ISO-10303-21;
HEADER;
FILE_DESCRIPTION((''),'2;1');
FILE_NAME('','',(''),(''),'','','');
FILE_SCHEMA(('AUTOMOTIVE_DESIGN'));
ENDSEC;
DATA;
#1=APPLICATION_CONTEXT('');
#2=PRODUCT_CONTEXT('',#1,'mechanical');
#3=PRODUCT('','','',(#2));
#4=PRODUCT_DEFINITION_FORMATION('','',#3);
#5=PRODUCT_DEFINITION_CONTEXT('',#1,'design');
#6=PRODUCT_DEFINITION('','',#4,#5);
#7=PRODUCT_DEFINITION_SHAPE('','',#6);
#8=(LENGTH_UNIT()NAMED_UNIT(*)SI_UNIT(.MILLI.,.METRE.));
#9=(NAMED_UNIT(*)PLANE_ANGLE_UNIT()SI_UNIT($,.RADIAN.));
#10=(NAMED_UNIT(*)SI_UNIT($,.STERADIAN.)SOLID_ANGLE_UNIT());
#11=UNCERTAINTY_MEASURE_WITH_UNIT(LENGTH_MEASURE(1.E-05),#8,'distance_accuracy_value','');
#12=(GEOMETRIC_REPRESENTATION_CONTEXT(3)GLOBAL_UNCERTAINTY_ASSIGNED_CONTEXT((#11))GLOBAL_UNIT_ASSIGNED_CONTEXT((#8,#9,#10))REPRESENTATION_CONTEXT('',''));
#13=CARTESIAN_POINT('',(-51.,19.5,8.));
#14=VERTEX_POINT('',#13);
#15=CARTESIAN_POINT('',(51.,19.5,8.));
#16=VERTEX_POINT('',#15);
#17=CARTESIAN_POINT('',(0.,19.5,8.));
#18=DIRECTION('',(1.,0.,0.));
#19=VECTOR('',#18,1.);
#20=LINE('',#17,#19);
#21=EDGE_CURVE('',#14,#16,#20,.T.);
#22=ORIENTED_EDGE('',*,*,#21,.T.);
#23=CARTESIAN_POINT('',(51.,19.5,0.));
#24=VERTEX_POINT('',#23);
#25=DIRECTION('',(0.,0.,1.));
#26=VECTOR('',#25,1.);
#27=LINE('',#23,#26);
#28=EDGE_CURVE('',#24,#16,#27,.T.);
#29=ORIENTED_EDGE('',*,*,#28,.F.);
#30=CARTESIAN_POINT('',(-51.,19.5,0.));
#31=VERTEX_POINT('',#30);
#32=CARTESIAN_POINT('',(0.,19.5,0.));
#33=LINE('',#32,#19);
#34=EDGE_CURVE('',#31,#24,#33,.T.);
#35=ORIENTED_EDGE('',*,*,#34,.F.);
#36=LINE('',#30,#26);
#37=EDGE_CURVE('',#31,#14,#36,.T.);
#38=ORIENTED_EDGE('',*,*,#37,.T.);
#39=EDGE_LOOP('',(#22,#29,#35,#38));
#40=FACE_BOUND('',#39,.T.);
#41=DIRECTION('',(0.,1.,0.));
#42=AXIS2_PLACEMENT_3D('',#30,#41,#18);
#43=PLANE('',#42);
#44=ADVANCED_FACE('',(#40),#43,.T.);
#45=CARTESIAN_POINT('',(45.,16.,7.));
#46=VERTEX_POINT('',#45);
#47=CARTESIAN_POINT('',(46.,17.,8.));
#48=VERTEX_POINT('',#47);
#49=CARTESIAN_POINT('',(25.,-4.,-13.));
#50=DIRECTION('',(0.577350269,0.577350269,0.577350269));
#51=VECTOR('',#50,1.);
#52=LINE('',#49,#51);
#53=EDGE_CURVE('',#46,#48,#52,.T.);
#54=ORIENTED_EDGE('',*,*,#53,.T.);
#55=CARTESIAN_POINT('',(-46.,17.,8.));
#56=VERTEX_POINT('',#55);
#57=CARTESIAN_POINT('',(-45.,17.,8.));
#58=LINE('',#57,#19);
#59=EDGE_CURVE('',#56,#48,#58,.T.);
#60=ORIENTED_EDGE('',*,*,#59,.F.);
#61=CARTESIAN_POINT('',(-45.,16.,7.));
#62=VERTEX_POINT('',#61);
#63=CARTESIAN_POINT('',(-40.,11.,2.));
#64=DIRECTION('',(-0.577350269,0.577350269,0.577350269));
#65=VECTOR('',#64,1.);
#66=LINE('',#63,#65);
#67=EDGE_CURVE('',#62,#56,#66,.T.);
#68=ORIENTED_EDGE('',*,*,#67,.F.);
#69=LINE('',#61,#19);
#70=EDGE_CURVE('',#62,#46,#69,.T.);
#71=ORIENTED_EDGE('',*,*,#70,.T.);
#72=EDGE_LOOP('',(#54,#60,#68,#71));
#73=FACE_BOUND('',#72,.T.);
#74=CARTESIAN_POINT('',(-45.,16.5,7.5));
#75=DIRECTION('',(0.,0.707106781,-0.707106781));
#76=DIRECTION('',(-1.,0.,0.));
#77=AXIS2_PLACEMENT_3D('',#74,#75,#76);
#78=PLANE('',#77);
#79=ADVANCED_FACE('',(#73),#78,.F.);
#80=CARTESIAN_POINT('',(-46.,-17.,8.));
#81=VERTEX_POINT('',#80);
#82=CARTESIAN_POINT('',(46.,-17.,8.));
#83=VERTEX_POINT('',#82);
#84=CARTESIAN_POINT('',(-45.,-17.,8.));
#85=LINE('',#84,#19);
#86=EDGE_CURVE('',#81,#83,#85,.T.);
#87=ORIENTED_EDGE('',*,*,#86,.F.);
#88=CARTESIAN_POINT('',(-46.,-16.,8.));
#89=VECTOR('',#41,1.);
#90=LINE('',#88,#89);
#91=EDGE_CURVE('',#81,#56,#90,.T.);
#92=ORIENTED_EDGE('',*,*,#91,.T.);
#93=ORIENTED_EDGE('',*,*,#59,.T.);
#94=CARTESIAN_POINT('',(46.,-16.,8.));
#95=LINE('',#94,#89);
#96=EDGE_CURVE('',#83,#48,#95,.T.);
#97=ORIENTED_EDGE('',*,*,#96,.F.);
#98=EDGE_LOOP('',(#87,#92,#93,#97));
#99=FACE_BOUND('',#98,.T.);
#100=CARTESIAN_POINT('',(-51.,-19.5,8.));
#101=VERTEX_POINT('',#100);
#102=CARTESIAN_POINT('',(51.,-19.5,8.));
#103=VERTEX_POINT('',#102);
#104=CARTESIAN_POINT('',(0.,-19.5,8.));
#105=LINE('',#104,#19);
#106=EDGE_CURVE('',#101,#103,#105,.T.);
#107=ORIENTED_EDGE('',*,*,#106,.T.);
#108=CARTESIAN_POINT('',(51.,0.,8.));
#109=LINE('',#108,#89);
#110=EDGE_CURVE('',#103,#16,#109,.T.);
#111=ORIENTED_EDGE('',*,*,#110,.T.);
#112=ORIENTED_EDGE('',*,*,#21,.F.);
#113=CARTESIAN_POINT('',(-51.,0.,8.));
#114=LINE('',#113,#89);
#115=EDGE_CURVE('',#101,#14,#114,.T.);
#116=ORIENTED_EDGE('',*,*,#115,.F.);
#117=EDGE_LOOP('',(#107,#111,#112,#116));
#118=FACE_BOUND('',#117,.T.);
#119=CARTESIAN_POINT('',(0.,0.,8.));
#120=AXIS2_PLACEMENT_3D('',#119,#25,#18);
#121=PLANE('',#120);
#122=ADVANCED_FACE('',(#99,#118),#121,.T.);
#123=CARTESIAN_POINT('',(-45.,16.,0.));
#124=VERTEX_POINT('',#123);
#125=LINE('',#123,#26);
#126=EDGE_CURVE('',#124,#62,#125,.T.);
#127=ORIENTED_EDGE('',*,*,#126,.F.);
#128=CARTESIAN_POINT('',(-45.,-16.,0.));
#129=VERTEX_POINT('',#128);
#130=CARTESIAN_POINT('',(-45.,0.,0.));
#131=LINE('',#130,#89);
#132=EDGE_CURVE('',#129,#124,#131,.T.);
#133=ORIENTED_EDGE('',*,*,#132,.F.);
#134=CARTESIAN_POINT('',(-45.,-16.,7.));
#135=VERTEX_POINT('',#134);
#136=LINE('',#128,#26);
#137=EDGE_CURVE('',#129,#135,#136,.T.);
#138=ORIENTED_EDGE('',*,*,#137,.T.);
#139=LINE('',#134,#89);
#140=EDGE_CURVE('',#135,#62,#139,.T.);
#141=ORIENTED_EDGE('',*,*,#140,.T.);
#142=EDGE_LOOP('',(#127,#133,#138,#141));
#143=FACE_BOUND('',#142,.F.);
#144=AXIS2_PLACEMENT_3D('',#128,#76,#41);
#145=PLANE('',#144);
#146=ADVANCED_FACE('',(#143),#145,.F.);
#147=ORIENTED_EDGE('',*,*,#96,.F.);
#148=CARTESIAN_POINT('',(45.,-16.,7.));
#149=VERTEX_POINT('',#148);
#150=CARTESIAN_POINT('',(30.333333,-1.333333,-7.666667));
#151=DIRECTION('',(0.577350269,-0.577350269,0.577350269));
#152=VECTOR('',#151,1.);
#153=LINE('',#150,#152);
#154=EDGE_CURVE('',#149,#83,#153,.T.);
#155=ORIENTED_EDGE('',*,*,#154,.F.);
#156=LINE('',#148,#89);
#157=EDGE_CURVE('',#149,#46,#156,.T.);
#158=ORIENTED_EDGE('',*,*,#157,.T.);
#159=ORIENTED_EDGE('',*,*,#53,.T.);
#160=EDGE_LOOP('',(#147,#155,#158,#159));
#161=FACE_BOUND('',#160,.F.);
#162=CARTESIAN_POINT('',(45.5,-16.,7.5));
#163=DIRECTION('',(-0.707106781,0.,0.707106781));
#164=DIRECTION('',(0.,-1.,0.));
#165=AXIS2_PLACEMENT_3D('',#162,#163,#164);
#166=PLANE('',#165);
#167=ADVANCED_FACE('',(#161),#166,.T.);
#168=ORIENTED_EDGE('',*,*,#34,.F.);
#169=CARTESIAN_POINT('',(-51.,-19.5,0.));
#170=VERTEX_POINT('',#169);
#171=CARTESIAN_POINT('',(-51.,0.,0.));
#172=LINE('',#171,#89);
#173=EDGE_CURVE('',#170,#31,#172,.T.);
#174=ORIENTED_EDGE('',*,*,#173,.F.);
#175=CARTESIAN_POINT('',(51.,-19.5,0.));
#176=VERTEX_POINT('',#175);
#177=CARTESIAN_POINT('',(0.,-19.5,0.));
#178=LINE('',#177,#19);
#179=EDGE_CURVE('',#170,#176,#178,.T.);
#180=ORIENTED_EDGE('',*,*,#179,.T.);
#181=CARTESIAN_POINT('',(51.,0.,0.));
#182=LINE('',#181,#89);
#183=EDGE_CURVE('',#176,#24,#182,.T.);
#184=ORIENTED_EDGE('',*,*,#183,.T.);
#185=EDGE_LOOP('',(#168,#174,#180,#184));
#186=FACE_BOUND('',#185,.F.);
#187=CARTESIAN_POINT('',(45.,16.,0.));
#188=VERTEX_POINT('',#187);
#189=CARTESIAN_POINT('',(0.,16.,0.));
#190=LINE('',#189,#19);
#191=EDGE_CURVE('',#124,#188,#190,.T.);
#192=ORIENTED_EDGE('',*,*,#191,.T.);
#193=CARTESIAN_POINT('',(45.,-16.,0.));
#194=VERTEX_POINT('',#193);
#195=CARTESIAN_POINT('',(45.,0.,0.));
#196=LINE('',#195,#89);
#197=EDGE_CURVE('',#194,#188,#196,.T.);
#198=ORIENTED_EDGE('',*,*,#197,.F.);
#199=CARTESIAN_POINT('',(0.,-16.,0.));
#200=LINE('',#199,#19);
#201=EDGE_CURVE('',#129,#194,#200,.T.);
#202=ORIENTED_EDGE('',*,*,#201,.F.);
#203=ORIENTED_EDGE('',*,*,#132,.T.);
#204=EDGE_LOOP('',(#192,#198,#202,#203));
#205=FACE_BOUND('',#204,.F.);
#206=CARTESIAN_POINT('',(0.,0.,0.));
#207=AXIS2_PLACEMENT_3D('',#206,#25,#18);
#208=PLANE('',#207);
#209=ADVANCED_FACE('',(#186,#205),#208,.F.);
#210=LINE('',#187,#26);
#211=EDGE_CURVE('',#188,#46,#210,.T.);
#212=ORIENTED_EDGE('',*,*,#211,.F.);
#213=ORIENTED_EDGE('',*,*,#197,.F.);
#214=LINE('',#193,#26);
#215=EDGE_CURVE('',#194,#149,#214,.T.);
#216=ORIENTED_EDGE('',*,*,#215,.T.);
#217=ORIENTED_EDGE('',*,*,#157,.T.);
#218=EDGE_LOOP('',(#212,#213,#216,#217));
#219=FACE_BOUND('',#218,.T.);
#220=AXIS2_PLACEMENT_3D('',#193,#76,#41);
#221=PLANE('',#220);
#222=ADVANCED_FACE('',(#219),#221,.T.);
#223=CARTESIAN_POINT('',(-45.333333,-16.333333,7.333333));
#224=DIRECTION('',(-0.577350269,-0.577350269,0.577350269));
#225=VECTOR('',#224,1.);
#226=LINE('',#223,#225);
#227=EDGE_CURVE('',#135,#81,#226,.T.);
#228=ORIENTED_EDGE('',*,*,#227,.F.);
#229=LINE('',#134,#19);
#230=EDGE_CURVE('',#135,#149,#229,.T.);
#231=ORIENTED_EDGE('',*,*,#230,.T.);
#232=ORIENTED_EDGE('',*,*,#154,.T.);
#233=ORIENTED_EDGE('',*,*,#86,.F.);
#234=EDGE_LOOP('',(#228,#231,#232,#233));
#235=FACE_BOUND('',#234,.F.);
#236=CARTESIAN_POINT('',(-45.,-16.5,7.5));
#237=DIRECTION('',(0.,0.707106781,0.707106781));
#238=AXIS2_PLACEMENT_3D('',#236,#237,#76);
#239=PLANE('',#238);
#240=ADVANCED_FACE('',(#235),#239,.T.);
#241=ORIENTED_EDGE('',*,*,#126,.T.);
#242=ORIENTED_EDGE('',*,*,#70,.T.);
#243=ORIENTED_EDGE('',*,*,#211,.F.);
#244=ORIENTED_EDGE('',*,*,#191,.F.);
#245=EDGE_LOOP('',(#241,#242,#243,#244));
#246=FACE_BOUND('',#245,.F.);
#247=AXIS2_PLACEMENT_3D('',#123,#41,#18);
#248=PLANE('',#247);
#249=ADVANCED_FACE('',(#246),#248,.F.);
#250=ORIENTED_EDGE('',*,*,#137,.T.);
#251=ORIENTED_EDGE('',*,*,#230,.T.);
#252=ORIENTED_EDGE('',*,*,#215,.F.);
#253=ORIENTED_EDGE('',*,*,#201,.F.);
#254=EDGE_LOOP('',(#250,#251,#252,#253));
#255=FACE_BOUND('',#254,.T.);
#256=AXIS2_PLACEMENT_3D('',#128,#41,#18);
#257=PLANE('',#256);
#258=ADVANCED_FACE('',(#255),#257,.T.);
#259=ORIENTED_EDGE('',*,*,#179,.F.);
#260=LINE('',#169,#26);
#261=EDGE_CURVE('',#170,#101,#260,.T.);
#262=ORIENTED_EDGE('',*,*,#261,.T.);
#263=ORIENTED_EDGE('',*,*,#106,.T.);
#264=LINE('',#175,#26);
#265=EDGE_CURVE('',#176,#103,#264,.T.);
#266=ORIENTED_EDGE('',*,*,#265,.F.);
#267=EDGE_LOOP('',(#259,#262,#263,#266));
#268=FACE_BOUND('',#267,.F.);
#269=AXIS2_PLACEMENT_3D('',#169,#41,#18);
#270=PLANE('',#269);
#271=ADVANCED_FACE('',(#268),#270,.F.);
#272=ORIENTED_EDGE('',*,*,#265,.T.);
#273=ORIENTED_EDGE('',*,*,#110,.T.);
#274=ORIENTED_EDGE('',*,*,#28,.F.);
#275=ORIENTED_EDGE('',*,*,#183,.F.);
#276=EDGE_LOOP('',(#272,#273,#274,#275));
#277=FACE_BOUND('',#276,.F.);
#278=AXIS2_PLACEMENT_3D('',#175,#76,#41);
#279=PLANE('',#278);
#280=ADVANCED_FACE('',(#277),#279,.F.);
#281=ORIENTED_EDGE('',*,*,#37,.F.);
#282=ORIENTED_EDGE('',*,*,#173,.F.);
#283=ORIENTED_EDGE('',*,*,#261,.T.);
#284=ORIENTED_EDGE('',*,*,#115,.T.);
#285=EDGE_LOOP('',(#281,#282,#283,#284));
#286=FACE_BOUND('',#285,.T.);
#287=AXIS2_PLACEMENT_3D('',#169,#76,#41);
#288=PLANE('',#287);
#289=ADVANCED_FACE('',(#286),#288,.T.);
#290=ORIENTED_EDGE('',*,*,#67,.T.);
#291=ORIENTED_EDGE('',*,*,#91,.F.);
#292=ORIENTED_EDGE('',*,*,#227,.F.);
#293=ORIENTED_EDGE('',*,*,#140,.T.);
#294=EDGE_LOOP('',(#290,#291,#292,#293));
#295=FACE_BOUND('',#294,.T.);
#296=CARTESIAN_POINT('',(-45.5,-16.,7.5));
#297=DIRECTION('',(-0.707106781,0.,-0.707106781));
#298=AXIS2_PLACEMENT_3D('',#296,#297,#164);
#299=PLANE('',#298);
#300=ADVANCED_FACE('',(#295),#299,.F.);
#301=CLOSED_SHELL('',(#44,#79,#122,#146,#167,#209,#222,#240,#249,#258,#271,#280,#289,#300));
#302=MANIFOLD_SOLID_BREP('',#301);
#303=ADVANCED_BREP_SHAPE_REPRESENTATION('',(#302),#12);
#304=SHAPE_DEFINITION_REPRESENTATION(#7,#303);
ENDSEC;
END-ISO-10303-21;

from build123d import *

# Parameters (mm, degrees)
F0_W     = 102
F0_H     = 39
F0_W_2   = 90
F0_H_2   = 32
F1_DEPTH = 8
F2_SIZE  = 1


with BuildPart() as f1:
    # F0 (on Top) → F1 (new body)
    with BuildSketch(Plane.XY):
        Rectangle(F0_W, F0_H)
        Rectangle(F0_W_2, F0_H_2, mode=Mode.SUBTRACT)
    extrude(amount=F1_DEPTH)

    # F2
    f2_edges = [f1.edges().sort_by_distance(p)[0] for p in [
        (0, 16, 8),
        (45, 0, 8),
        (0, -16, 8),
        (-45, 0, 8),
    ]]
    chamfer(f2_edges, length=F2_SIZE)


solid = f1.part
